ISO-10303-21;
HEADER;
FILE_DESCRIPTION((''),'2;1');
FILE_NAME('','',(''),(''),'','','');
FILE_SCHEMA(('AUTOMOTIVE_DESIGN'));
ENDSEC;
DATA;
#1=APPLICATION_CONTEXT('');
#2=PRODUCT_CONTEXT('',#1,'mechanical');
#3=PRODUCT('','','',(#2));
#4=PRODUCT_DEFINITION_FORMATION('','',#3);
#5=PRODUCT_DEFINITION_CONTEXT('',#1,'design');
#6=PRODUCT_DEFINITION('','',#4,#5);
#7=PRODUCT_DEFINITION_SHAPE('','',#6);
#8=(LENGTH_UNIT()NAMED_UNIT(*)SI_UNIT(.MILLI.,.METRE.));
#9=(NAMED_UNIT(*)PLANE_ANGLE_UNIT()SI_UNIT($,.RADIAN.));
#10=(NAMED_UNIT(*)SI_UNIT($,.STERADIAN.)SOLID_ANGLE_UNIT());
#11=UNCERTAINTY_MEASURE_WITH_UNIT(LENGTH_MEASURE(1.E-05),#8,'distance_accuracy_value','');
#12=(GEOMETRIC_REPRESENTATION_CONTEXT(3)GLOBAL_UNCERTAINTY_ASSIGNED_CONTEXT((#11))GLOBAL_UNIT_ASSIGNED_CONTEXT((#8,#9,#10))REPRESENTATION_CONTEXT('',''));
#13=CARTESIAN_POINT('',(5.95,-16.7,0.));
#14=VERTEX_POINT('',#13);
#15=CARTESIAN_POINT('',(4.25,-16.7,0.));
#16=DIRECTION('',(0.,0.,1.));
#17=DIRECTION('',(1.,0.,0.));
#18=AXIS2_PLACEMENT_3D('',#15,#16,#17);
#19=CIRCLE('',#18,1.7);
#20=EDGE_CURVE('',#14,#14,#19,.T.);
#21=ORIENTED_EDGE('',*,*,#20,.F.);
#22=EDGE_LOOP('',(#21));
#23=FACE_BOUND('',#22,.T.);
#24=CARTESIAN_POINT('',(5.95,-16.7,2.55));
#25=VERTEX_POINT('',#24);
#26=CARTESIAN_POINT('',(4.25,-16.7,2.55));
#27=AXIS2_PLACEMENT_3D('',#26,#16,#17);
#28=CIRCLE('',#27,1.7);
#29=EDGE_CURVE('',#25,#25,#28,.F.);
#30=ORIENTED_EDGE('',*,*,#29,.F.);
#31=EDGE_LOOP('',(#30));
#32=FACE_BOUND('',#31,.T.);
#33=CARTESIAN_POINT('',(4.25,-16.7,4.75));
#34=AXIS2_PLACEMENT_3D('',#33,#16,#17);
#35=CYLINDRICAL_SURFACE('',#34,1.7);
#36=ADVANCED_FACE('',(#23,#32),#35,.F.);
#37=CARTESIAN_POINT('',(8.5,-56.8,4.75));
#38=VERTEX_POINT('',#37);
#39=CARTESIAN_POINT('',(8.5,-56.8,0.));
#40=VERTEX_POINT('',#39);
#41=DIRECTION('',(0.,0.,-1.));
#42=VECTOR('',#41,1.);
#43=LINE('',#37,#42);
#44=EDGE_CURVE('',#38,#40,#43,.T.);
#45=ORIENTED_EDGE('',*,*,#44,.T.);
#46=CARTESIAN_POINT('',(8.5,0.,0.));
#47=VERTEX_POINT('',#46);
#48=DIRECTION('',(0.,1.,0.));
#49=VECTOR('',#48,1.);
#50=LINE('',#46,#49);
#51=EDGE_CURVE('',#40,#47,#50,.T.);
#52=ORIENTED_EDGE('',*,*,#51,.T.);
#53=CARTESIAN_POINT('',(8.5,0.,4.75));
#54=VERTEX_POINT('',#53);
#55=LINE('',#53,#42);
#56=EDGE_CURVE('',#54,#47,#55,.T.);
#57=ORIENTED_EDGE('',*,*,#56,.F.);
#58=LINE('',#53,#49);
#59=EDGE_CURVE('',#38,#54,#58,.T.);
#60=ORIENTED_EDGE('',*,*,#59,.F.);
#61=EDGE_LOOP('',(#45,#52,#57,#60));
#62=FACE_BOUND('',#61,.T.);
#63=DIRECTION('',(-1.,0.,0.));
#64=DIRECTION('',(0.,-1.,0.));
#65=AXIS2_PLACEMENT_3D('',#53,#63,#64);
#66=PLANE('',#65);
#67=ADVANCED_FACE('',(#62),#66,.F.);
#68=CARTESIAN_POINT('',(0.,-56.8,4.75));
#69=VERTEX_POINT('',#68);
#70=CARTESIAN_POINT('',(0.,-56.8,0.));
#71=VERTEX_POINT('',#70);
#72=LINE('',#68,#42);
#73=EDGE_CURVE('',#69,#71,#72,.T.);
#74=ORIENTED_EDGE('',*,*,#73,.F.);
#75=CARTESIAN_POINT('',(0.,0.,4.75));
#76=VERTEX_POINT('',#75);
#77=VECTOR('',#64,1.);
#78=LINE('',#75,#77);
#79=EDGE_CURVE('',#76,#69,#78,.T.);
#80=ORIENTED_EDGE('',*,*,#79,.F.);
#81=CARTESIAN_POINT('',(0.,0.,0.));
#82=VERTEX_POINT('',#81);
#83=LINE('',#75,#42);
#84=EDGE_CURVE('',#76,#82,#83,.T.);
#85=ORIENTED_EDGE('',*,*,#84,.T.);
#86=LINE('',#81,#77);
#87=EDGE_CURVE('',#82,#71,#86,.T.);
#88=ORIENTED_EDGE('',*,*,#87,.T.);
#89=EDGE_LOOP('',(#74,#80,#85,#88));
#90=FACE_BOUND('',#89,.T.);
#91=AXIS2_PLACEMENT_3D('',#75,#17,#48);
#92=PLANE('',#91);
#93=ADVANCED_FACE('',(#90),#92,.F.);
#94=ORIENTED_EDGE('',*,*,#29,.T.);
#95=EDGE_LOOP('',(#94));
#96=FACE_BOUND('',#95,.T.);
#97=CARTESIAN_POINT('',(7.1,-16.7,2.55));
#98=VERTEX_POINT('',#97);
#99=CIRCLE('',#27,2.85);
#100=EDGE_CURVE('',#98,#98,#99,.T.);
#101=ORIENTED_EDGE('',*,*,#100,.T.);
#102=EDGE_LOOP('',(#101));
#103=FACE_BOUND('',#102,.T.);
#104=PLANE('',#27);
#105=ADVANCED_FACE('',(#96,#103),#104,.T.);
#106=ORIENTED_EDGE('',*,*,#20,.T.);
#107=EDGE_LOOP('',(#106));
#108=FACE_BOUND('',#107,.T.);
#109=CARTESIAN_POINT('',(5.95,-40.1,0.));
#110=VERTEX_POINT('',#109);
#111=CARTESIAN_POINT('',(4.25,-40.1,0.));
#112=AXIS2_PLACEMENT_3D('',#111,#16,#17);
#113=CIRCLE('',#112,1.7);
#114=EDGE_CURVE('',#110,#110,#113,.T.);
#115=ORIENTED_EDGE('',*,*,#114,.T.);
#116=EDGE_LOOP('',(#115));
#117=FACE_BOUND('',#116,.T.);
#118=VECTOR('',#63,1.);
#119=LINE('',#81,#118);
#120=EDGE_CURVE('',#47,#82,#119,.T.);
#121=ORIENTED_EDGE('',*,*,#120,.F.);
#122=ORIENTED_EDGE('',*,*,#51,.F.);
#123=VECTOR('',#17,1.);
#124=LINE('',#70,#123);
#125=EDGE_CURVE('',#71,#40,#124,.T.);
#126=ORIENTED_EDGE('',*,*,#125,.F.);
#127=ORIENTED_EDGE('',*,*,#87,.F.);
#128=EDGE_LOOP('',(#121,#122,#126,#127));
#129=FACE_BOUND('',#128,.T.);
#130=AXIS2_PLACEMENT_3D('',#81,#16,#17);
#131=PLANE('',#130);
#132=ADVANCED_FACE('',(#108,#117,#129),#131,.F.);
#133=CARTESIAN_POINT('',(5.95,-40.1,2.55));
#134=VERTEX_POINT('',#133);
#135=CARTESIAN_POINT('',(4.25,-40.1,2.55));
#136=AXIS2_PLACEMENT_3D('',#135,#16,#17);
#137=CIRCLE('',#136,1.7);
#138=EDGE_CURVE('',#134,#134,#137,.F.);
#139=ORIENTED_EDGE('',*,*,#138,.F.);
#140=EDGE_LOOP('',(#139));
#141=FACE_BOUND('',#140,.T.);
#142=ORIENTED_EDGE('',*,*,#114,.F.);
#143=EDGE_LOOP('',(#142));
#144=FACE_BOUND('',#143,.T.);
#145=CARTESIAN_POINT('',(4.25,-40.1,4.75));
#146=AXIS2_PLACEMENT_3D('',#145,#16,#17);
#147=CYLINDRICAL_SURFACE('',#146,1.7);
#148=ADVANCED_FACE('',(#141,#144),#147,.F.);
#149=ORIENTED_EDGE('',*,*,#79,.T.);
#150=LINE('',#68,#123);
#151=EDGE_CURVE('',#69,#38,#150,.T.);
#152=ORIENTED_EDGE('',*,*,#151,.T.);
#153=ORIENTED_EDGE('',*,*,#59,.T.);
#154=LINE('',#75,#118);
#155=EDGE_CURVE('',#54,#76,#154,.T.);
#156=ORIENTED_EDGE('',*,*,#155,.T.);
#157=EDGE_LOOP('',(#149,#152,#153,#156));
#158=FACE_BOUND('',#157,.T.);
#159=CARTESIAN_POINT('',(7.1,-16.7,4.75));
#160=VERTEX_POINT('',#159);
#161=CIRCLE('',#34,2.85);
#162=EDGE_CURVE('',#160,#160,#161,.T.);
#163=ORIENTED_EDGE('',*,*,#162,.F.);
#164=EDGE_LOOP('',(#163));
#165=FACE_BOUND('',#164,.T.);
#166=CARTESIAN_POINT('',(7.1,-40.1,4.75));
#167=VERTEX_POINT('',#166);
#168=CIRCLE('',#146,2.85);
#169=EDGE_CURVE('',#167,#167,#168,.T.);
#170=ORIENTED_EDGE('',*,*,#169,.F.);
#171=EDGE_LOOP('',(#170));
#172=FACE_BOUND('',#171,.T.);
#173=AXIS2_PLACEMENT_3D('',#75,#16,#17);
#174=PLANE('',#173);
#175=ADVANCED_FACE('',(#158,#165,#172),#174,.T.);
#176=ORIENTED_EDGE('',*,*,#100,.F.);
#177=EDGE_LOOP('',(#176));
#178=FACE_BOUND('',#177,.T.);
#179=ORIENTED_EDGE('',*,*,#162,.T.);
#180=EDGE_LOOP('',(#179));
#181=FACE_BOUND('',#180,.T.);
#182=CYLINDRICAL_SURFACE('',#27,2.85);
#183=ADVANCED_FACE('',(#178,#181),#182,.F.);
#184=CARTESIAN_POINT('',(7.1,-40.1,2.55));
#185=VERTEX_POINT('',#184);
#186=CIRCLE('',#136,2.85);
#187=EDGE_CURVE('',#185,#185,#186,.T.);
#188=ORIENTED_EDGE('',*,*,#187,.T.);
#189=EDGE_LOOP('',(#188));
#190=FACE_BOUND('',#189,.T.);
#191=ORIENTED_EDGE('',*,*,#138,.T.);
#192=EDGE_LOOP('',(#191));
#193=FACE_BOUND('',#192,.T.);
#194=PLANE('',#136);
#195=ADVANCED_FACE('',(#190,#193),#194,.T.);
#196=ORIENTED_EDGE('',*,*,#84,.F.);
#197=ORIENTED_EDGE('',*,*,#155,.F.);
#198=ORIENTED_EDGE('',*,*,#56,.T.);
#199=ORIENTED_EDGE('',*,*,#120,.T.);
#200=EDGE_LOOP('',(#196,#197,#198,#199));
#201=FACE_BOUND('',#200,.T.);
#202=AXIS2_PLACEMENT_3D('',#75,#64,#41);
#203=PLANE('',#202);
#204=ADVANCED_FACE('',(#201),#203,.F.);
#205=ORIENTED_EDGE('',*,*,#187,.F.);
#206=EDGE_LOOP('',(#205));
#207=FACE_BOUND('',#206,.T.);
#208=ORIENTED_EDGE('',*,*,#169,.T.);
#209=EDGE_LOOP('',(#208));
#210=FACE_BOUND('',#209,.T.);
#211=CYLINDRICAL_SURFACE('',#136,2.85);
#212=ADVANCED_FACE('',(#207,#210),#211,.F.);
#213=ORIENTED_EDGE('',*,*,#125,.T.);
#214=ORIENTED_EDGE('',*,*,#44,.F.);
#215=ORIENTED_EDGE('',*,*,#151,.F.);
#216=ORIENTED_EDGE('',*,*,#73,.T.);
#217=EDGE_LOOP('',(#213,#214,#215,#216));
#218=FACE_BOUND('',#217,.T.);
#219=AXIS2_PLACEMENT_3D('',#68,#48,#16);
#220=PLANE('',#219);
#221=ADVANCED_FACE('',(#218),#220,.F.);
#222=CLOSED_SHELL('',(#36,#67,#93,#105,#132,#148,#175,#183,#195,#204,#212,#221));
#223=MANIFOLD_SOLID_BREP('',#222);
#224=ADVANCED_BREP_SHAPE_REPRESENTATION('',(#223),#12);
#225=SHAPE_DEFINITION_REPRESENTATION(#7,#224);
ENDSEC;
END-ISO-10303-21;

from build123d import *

# Parameters (mm, degrees)
SKETCH1_W                = 8.5
SKETCH1_H                = 56.8
BOSS_EXTRUDE1_DEPTH      = 4.75
M3_CLEARANCE_HOLE1_D     = 3.4
M3_CLEARANCE_HOLE1_DEPTH = 5
M3_CLEARANCE_HOLE1_TIP   = 1.021463052
SKETCH6_R                = 2.85
CUT_EXTRUDE1_DEPTH       = 2.2


with BuildPart() as part:
    # Sketch1 → Boss-Extrude1 (new body)
    with BuildSketch(Plane.XY):
        with Locations((4.25, -28.4)):
            Rectangle(SKETCH1_W, SKETCH1_H)
    extrude(amount=BOSS_EXTRUDE1_DEPTH)

    # M3 Clearance Hole1
    with Locations(Plane.XY.offset(4.75)):
        with Locations((4.25, -16.7), (4.25, -40.1)):
            Hole(M3_CLEARANCE_HOLE1_D / 2, depth=M3_CLEARANCE_HOLE1_DEPTH)
            with Locations((0, 0, -(M3_CLEARANCE_HOLE1_DEPTH + M3_CLEARANCE_HOLE1_TIP / 2))):  # 118° drill point
                Cone(0, M3_CLEARANCE_HOLE1_D / 2, M3_CLEARANCE_HOLE1_TIP, mode=Mode.SUBTRACT)

    # Sketch6 → Cut-Extrude1 (cut)
    with BuildSketch(Plane.XY.offset(4.75)):
        with Locations((4.25, -16.7)):
            Circle(SKETCH6_R)
        with Locations((4.25, -40.1)):
            Circle(SKETCH6_R)
    extrude(amount=-CUT_EXTRUDE1_DEPTH, mode=Mode.SUBTRACT)


solid = part.part
